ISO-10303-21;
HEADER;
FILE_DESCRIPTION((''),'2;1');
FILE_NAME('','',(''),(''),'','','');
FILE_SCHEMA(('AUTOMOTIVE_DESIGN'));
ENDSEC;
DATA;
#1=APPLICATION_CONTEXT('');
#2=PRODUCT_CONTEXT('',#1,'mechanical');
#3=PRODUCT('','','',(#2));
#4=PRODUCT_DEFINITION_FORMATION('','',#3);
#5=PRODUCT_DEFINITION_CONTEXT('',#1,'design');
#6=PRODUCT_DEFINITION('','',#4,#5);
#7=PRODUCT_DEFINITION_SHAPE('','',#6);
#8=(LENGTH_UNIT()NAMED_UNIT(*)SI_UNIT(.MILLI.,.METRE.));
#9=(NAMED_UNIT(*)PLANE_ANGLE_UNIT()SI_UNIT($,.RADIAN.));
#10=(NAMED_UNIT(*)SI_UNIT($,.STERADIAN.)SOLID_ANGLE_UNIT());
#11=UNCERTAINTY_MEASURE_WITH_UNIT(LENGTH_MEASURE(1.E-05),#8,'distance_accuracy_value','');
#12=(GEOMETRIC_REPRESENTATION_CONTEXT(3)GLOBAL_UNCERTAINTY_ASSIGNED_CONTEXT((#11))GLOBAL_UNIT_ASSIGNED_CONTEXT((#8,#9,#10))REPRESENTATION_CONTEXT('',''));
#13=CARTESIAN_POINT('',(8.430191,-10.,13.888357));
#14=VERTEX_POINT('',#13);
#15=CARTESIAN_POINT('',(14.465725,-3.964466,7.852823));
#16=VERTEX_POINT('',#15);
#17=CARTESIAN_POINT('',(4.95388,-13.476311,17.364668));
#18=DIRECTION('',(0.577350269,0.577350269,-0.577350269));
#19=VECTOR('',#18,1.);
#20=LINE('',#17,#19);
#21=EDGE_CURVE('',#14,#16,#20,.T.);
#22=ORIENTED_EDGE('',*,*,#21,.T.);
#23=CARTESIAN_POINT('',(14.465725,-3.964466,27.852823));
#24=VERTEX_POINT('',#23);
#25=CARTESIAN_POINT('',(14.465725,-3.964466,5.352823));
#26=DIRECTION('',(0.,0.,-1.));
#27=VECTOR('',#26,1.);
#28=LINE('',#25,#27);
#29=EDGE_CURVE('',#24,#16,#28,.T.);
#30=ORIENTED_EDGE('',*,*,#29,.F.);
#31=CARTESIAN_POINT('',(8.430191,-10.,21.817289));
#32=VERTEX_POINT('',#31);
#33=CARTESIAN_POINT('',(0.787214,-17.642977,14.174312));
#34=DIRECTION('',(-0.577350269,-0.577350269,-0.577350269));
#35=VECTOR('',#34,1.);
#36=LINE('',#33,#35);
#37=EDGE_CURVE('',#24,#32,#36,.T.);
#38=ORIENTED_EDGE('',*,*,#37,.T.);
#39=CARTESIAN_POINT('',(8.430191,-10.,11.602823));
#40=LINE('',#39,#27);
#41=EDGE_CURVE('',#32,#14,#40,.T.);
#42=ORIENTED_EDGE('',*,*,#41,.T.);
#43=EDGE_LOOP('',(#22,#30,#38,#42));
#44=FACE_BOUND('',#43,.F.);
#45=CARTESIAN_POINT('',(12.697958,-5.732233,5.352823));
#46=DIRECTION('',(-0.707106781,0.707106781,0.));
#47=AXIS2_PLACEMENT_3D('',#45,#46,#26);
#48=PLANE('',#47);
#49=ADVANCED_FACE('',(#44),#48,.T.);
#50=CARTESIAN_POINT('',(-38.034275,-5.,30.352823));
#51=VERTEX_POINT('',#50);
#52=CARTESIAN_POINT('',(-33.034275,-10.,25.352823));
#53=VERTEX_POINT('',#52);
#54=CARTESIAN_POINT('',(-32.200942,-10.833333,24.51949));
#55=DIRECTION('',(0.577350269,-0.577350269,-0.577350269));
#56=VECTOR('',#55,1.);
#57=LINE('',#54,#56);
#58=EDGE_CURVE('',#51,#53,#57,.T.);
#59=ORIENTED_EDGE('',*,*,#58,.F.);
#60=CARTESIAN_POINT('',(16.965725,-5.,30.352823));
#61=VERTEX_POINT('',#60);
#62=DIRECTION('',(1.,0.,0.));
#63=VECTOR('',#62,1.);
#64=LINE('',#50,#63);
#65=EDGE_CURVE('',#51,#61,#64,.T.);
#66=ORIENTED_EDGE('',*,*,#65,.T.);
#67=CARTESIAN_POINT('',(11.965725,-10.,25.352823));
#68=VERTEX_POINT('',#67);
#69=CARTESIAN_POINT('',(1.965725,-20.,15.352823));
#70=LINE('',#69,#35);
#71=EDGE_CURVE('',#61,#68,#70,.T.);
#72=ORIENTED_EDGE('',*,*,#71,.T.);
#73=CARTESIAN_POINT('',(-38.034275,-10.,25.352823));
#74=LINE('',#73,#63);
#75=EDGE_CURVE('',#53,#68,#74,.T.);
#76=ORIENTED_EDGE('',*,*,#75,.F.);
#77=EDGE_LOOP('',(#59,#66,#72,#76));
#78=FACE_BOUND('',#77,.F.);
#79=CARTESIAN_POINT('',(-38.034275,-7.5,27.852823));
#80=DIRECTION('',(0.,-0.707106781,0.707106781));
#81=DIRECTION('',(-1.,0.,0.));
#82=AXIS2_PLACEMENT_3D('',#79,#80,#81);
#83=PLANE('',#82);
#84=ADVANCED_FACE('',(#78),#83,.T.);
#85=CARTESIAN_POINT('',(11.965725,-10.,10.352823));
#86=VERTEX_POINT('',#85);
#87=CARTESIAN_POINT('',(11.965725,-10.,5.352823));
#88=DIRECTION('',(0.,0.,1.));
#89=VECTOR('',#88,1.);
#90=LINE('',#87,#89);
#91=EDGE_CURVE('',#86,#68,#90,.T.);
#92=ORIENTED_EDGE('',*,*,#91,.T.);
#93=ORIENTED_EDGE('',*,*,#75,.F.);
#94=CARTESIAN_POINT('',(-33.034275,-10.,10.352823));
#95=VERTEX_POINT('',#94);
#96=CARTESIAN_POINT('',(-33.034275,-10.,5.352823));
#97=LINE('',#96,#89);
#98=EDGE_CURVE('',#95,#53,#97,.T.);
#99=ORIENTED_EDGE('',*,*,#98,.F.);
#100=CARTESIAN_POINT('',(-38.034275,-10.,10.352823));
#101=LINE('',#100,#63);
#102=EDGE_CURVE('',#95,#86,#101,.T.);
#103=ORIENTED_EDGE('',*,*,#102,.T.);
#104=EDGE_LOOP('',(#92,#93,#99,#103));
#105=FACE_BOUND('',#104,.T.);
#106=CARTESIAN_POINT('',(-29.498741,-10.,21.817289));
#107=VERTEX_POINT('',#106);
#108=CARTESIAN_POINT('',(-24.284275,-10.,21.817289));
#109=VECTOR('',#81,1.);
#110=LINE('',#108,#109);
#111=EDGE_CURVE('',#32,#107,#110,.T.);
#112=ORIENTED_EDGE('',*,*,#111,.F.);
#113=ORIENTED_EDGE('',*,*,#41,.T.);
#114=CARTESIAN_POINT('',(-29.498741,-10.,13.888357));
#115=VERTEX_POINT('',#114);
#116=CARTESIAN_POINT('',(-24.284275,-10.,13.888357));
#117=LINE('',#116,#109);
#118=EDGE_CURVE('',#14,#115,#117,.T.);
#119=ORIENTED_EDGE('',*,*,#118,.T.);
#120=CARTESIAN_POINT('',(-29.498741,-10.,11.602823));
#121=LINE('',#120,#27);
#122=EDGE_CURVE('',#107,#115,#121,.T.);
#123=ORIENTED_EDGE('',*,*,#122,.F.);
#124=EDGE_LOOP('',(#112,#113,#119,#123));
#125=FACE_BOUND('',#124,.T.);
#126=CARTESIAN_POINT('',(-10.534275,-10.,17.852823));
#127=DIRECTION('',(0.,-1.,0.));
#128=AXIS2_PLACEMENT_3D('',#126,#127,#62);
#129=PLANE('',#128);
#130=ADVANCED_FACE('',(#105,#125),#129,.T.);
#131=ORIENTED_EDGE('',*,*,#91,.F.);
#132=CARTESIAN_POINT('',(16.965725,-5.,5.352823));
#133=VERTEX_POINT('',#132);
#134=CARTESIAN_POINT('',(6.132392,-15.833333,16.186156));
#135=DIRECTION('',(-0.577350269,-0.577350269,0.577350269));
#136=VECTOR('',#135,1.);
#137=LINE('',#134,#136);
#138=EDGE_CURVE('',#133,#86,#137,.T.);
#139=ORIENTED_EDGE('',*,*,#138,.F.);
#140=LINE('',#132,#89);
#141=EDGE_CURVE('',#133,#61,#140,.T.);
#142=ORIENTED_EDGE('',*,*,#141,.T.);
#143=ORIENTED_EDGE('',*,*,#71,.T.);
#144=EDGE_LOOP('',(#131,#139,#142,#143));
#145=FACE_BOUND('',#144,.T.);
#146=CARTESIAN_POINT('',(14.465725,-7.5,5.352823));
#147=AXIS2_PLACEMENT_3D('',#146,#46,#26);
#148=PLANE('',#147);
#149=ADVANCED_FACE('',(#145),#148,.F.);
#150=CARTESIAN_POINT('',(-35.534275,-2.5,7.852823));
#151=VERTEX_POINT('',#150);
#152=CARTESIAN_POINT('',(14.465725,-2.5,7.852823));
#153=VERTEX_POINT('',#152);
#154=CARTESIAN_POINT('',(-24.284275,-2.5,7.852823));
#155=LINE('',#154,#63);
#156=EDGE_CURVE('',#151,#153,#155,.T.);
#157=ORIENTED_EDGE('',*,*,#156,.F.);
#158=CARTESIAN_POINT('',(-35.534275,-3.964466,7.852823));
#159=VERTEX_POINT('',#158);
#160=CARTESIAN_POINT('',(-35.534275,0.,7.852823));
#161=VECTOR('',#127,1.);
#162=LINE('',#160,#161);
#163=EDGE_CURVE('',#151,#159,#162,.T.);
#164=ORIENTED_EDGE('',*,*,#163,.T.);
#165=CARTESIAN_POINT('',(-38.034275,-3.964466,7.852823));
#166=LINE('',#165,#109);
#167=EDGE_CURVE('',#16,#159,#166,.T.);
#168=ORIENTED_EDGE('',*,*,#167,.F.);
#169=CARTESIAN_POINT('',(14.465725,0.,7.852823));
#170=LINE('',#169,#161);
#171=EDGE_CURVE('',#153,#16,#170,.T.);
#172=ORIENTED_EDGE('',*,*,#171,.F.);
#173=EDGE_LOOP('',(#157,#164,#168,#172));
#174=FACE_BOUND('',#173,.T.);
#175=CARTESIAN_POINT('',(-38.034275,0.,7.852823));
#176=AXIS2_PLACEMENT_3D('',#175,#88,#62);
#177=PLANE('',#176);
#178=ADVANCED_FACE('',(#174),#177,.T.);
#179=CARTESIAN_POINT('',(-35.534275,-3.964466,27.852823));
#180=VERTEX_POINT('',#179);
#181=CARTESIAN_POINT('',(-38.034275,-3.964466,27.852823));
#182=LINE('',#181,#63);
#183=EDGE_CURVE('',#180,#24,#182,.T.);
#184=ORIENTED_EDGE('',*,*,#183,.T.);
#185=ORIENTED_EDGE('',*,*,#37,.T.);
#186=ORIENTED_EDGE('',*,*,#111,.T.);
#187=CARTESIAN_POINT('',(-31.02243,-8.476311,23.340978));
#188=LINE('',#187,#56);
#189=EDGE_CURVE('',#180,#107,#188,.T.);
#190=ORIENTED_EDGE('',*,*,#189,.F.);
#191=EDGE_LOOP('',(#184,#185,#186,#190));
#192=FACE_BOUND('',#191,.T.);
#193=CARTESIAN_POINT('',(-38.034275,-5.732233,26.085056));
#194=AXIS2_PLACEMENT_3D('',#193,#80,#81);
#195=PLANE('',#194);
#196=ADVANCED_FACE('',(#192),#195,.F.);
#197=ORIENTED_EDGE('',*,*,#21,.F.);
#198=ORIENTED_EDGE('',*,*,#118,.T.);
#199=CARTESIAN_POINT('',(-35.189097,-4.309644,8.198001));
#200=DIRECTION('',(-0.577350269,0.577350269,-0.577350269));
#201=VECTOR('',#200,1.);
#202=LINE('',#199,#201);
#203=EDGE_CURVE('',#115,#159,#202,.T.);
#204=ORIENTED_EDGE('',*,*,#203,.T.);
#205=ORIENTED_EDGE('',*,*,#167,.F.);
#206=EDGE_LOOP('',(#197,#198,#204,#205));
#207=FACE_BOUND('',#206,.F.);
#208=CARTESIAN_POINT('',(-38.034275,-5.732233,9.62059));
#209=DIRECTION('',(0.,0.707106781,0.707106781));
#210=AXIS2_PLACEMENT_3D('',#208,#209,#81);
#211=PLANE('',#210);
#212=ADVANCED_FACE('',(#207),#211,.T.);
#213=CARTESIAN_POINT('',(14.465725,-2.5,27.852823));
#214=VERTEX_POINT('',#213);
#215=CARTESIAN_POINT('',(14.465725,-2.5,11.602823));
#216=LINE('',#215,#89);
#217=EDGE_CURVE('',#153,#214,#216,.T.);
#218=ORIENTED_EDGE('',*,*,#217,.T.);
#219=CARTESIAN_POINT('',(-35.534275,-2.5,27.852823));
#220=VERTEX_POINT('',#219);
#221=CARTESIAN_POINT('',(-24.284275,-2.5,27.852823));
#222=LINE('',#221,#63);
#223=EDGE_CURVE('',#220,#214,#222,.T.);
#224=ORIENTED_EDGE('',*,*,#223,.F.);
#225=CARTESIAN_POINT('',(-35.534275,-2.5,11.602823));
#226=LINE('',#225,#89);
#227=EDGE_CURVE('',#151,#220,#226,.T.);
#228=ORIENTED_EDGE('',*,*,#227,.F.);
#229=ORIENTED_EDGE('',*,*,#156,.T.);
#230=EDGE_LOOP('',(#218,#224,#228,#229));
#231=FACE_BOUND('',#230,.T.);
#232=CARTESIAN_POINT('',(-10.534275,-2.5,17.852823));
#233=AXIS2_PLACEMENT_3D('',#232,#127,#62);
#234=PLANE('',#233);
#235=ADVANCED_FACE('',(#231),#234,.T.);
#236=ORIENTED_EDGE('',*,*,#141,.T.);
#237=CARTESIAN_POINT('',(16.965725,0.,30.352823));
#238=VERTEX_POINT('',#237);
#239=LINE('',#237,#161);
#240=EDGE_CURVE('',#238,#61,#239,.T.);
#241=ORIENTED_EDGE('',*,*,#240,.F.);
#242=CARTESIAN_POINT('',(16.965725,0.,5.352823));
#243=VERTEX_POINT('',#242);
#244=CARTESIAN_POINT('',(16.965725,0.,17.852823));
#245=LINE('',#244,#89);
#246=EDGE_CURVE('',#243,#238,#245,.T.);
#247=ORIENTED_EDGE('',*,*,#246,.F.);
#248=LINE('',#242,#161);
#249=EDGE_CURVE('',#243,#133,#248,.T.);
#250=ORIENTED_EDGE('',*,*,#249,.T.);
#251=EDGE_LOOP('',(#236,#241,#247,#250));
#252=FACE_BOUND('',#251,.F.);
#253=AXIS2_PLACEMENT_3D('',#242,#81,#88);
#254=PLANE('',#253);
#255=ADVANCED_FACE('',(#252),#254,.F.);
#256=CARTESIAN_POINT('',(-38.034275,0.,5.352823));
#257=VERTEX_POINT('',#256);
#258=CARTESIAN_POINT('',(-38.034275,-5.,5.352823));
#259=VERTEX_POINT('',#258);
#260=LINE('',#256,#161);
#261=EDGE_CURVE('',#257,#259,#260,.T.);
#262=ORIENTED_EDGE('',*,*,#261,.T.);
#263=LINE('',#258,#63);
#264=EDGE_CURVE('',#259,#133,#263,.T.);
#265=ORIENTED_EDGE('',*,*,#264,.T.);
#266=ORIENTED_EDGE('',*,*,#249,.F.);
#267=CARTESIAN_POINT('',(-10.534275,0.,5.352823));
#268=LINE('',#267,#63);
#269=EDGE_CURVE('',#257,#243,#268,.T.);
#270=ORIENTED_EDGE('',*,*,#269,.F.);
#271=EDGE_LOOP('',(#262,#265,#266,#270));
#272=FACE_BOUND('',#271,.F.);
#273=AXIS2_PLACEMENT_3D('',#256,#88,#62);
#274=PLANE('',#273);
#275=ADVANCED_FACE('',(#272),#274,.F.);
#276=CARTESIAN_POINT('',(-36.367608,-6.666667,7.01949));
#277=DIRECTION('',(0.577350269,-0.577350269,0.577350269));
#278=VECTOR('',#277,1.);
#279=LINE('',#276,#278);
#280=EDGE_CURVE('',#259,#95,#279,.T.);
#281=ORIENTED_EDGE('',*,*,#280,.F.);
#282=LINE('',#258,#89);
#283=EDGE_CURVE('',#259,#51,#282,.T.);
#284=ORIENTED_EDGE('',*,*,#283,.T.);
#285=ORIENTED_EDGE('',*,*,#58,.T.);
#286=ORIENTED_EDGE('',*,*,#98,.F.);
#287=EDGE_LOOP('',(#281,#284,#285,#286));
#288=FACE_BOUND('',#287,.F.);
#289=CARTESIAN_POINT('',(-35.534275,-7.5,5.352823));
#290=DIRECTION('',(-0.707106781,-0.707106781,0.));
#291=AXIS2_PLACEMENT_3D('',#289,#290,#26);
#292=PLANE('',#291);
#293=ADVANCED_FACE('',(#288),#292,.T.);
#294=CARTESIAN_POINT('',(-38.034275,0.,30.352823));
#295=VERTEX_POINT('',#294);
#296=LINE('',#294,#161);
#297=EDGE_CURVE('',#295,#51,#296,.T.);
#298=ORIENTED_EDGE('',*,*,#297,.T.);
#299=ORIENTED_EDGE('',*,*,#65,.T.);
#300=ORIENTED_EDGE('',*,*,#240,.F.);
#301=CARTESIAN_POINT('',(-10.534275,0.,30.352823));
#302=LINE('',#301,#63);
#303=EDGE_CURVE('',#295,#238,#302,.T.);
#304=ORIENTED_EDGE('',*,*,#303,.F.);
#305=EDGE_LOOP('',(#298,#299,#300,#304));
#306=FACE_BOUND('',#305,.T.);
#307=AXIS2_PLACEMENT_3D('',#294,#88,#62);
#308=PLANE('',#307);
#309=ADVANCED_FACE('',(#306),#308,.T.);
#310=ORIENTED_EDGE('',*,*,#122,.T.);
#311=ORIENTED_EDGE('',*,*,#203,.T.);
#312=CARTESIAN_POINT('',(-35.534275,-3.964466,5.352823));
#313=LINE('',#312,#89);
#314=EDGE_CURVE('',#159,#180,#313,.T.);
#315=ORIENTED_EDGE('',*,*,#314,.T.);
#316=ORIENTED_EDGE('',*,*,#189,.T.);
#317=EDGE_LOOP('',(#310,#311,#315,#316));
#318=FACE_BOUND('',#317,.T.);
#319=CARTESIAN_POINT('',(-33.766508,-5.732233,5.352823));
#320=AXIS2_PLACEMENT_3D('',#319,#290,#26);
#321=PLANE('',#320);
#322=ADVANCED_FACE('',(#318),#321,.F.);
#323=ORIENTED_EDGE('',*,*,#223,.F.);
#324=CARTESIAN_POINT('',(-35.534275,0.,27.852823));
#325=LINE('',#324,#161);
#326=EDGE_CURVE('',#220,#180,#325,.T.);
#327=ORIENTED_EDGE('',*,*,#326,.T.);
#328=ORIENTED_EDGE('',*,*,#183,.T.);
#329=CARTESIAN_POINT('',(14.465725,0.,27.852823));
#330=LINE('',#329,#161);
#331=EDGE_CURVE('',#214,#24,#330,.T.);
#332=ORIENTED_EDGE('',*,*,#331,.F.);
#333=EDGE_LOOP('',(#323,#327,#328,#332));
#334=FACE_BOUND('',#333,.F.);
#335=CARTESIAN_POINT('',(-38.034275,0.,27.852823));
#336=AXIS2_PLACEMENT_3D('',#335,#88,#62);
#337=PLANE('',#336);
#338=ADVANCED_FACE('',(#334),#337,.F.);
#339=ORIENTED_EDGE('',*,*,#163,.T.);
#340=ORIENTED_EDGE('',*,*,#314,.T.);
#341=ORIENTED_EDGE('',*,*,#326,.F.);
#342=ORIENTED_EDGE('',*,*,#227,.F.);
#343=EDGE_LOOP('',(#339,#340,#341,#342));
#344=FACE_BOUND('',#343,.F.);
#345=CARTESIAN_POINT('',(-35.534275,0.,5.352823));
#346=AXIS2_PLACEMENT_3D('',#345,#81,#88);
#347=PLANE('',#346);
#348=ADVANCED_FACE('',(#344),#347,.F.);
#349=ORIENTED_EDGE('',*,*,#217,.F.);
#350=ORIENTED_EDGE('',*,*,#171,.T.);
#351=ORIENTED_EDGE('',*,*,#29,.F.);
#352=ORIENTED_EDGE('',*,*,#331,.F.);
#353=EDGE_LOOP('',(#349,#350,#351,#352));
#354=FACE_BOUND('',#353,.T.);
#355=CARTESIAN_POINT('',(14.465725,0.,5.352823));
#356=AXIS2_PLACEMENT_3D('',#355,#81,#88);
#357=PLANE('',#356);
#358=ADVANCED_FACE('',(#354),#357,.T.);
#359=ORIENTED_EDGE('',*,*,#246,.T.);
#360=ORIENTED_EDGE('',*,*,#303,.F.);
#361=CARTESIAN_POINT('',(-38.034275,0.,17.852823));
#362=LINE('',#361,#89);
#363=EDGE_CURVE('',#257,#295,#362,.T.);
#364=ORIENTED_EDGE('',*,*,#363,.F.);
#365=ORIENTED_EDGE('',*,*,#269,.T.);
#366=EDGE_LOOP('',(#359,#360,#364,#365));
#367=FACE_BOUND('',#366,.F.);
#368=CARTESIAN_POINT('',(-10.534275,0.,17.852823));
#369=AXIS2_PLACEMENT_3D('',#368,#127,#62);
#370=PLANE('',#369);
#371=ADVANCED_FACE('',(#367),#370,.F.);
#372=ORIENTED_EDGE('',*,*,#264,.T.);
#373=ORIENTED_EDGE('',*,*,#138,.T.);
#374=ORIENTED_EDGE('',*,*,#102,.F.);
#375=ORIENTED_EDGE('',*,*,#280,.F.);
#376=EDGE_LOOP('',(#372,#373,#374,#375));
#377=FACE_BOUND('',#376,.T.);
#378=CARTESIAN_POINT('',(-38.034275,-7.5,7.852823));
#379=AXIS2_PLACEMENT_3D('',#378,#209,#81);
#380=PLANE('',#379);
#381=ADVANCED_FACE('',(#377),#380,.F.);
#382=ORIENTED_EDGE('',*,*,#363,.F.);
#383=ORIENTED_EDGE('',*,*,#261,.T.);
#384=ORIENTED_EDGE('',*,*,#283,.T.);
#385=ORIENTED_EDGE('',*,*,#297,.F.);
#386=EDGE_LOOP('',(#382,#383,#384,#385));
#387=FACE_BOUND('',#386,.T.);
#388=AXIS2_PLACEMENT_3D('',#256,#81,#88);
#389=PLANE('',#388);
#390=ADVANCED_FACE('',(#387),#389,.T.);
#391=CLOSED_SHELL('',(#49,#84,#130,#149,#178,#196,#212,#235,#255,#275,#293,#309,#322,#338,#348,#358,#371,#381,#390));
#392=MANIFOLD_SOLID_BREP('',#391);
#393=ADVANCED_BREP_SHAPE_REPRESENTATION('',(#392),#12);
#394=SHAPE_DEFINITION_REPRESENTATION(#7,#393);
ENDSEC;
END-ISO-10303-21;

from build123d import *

# Parameters (mm, degrees)
F0_W     = 55
F0_H     = 25
F1_DEPTH = 10
F2_SIZE  = 5
F3_T     = -2.5


with BuildPart() as f1:
    # F0 (on Front) → F1 (new body)
    with BuildSketch(Plane.XZ):
        with Locations((-10.534275, 17.852823)):
            Rectangle(F0_W, F0_H)
    extrude(amount=F1_DEPTH)

    # F2
    f2_edges = [f1.edges().sort_by_distance(p)[0] for p in [
        (-10.534275, -10, 30.352823),
        (-38.034275, -10, 17.852823),
        (-10.534275, -10, 5.352823),
        (16.965725, -10, 17.852823),
    ]]
    chamfer(f2_edges, length=F2_SIZE)

    # F3
    f3_openings = [f1.faces().sort_by_distance(p)[0] for p in [
        (-10.534275, -10, 17.852823),
    ]]
    offset(amount=F3_T, openings=f3_openings)


solid = f1.part
